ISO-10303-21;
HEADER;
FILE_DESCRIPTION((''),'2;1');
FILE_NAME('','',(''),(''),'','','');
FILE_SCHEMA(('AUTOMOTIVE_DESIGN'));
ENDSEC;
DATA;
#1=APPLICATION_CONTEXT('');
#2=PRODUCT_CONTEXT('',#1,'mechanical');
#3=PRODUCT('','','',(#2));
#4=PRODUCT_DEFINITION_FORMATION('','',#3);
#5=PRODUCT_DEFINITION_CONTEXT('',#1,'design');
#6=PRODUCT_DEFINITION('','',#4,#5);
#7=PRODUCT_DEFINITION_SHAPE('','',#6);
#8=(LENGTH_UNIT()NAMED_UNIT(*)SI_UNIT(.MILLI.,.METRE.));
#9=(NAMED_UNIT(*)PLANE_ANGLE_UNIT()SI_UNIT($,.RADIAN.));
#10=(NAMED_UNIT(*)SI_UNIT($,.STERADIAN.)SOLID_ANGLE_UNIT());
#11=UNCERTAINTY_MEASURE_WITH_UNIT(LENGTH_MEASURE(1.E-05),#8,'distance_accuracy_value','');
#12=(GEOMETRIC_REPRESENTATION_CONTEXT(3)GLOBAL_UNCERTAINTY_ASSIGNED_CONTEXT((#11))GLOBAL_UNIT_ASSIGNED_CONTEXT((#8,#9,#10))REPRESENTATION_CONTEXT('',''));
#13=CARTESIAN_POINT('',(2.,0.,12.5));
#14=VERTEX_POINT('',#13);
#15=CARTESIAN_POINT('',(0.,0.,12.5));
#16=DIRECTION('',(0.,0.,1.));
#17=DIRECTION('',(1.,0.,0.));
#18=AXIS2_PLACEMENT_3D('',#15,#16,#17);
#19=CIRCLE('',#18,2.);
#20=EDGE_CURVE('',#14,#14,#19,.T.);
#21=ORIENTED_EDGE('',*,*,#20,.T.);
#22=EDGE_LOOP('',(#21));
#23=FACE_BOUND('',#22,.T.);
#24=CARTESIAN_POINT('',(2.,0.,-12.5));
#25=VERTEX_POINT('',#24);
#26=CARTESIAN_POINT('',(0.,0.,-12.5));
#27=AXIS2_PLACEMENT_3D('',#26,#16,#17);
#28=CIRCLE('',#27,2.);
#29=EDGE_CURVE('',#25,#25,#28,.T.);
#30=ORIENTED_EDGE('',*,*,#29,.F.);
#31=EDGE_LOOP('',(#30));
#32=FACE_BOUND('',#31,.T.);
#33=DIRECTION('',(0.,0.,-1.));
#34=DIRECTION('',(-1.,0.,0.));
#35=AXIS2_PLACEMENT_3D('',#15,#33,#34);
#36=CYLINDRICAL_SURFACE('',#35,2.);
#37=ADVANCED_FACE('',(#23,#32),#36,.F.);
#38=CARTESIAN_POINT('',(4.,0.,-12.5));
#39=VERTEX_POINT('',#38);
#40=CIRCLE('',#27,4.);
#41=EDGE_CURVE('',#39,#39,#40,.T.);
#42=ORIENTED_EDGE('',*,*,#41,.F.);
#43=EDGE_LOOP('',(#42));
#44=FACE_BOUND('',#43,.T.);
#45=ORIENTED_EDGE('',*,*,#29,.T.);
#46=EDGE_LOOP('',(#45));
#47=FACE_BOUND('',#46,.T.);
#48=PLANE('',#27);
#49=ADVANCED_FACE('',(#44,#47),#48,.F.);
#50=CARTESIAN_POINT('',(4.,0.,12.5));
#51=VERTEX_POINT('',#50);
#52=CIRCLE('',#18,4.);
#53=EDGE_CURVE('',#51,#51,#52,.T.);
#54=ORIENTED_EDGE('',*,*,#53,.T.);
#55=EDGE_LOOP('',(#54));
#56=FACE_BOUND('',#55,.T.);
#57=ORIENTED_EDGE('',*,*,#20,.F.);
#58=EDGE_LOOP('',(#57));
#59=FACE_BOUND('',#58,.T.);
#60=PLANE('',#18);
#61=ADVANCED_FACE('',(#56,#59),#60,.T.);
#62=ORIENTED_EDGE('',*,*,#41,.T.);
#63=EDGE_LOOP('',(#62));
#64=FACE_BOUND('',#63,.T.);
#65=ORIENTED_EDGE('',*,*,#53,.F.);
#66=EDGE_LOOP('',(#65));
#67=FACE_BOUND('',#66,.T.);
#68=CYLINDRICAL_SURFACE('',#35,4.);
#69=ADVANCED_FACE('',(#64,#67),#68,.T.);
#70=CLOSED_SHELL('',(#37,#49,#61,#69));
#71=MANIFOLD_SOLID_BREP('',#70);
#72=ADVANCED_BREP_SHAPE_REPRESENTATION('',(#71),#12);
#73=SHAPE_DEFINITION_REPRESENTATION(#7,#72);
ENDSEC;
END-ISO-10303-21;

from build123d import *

# Parameters (mm, degrees)
SKETCH_1_R      = 4
SKETCH_1_R_2    = 2
EXTRUDE_1_DEPTH = 12.5


with BuildPart() as part:
    # 草图1 → 凸台-拉伸1 (new, symmetric)
    with BuildSketch(Plane.XY):
        Circle(SKETCH_1_R)
        Circle(SKETCH_1_R_2, mode=Mode.SUBTRACT)
    extrude(amount=EXTRUDE_1_DEPTH, both=True)


solid = part.part
